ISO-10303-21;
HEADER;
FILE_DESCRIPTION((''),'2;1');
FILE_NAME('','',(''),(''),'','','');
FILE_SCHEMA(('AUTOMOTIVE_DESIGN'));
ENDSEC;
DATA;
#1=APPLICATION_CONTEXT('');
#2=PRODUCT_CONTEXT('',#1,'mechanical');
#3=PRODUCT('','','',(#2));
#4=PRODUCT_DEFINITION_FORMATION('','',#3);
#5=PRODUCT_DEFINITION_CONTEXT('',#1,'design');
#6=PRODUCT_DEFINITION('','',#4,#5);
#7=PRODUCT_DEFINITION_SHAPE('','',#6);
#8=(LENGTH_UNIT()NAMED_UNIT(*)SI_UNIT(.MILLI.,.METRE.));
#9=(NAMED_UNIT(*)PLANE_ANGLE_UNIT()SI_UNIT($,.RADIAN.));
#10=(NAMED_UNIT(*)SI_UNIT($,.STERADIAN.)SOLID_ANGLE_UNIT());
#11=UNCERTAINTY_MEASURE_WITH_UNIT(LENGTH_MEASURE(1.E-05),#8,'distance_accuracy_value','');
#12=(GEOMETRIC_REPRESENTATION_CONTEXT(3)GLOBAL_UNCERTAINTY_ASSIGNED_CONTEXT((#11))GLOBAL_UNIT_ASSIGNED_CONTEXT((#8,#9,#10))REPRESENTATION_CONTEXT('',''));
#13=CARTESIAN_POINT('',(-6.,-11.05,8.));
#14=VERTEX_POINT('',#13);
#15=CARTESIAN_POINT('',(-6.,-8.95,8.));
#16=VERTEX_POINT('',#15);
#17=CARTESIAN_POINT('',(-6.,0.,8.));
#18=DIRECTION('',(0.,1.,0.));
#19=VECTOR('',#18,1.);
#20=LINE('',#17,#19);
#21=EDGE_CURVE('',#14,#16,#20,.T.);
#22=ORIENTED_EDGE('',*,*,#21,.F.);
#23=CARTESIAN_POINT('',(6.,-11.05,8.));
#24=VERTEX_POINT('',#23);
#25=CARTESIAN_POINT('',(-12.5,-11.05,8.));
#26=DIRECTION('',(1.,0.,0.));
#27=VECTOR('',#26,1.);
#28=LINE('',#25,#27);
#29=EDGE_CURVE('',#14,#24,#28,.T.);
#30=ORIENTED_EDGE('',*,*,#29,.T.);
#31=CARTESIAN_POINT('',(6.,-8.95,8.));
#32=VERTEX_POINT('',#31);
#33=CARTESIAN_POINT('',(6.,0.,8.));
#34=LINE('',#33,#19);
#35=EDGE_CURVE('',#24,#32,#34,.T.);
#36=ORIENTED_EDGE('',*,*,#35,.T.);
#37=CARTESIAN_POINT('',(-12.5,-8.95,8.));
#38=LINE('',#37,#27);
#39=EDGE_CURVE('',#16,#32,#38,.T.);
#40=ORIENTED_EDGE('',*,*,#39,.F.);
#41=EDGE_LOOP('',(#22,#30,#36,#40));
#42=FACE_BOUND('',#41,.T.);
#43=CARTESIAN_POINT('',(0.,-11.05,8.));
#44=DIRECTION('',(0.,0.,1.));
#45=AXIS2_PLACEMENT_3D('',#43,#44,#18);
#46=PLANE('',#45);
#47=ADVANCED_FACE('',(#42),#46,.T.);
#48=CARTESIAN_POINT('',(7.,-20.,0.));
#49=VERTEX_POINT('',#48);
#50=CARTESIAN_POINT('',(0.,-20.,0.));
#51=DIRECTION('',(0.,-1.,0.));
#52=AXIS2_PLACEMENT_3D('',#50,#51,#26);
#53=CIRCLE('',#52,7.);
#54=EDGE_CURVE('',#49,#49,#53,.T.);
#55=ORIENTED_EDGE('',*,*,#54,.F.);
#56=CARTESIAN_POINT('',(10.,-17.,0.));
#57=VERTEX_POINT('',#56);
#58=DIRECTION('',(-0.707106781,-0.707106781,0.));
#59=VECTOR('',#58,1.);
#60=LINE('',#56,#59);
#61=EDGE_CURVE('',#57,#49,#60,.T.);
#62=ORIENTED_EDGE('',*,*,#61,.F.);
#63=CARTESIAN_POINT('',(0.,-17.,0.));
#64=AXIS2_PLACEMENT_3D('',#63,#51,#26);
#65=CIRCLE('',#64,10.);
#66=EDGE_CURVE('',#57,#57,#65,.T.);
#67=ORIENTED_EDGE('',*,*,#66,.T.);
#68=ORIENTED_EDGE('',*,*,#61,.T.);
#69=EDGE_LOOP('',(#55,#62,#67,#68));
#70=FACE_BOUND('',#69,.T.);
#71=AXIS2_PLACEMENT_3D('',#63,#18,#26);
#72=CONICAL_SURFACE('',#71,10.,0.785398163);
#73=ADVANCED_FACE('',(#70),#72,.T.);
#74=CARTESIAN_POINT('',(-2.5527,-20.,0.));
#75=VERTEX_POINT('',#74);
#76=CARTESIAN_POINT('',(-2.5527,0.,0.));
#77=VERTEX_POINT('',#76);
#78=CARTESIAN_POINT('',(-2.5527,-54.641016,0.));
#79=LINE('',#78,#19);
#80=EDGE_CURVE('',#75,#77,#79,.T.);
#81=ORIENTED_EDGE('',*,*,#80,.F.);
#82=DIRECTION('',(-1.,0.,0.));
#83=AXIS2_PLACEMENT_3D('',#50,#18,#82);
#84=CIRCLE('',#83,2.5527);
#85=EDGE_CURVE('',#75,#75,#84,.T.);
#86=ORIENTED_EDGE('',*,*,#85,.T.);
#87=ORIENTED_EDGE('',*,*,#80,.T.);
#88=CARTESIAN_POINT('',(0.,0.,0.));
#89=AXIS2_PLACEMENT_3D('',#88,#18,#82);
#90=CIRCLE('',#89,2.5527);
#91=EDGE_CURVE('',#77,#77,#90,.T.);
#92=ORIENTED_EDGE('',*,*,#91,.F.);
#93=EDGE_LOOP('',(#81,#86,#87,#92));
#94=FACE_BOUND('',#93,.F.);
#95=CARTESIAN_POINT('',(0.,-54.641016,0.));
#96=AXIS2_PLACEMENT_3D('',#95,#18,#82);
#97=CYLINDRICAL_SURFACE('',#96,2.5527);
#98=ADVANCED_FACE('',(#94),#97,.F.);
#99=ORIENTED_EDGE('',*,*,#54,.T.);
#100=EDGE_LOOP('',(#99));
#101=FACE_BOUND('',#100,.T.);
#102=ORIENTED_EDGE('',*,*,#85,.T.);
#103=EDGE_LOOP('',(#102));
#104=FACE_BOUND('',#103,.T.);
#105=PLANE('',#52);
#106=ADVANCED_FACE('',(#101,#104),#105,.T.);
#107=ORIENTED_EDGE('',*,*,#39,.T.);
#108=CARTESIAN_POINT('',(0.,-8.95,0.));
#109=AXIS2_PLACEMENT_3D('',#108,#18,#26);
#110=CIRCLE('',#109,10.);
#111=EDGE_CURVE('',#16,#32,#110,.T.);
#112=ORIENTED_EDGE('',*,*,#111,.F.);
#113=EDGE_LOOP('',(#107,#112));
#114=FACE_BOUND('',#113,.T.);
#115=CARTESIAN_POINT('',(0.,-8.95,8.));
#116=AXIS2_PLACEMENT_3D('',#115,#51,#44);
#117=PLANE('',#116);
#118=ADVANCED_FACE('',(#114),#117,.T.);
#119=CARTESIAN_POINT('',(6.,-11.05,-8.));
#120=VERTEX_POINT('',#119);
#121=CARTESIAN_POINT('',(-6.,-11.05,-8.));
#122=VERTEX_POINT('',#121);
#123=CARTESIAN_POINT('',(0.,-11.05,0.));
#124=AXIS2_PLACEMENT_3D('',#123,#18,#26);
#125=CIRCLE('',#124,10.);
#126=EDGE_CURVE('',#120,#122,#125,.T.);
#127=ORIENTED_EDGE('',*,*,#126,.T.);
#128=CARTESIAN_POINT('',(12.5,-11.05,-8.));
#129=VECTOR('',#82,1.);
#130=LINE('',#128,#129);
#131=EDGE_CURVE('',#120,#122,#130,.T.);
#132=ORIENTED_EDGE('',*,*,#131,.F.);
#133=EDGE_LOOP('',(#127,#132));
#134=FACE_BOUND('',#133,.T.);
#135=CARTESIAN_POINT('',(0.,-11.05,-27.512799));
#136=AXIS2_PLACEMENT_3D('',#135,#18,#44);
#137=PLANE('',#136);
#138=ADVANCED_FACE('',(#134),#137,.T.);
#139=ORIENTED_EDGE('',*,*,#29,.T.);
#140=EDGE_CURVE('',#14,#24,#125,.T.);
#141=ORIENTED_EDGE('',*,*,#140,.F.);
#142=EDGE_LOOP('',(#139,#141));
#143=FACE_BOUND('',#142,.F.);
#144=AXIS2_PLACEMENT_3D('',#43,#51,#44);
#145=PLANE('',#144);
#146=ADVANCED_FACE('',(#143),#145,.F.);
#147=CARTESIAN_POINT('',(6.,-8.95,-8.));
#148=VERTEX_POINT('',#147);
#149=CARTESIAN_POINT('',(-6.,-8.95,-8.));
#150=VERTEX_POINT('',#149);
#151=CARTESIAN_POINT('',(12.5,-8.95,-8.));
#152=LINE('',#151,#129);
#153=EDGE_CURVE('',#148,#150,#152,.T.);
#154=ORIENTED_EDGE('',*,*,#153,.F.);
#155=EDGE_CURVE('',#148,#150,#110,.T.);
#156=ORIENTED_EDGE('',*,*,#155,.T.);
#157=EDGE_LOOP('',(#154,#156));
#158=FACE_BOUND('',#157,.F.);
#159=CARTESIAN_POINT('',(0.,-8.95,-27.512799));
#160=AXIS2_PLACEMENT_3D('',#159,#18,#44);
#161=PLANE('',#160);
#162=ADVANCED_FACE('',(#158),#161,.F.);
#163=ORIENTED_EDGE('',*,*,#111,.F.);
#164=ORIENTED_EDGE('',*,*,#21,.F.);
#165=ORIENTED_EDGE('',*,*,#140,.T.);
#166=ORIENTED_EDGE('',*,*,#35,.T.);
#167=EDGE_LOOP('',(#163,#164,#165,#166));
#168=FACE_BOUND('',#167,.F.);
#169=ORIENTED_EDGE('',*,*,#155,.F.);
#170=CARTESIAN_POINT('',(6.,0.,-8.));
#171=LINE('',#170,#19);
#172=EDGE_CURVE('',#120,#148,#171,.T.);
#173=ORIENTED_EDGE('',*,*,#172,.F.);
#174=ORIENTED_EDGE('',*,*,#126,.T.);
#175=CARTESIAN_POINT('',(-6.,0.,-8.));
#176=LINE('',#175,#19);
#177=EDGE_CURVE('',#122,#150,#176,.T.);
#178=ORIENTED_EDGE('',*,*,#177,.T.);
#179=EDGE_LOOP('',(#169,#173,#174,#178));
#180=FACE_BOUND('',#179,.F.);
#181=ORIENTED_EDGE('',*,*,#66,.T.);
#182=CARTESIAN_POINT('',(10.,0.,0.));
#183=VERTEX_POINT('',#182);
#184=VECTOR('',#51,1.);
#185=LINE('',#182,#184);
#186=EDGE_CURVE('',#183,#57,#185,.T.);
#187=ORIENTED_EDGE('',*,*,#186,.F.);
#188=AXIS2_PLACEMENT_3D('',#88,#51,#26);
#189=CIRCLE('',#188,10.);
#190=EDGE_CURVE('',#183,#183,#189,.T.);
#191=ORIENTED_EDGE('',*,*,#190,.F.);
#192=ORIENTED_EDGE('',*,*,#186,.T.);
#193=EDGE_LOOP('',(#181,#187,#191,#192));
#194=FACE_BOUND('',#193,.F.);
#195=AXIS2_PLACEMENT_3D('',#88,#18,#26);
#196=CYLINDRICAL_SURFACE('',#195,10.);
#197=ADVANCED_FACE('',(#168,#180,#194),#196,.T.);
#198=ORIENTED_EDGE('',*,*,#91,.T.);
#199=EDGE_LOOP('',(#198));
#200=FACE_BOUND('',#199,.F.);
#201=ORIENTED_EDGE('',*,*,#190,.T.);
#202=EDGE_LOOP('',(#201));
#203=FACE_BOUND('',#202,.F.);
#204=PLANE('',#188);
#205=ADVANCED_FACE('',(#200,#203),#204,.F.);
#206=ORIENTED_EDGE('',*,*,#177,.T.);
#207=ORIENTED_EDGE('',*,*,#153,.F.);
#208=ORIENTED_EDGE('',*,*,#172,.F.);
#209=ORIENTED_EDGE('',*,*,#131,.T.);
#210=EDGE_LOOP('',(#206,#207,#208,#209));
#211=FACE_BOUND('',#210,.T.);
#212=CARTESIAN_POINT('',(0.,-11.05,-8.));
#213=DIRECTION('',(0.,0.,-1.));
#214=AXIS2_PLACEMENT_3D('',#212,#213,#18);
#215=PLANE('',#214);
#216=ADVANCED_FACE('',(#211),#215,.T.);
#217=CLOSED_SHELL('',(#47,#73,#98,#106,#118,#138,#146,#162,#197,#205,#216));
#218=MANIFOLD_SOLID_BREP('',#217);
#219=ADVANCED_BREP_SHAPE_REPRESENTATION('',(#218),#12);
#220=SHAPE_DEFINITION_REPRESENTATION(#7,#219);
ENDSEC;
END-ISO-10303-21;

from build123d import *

# Parameters (mm, degrees)
F0_R     = 10
F1_DEPTH = 20
F3_D     = 5.1054
F4_W     = 2.1
F4_H     = 19.5127989389
F5_DEPTH = 12.5
F6_SIZE  = 3


with BuildPart() as f1:
    # F0 (on Front) → F1 (new body)
    with BuildSketch(Plane.XZ):
        Circle(F0_R)
    extrude(amount=F1_DEPTH)

    # F3 (through all)
    with Locations(Plane.XZ.offset(20)):
        with Locations((0, 0)):
            Hole(F3_D / 2)

    # F4 (on Right) → F5 (cut, symmetric)
    with BuildSketch(Plane.YZ):
        with Locations((-10, 17.7563994695)):
            Rectangle(F4_W, F4_H)
        with Locations((-10, -17.7563994695)):
            Rectangle(F4_W, F4_H)
    extrude(amount=F5_DEPTH, both=True, mode=Mode.SUBTRACT)

    # F6
    f6_edges = [f1.edges().sort_by_distance(p)[0] for p in [
        (-10, -20, 0),
    ]]
    chamfer(f6_edges, length=F6_SIZE)


solid = f1.part
